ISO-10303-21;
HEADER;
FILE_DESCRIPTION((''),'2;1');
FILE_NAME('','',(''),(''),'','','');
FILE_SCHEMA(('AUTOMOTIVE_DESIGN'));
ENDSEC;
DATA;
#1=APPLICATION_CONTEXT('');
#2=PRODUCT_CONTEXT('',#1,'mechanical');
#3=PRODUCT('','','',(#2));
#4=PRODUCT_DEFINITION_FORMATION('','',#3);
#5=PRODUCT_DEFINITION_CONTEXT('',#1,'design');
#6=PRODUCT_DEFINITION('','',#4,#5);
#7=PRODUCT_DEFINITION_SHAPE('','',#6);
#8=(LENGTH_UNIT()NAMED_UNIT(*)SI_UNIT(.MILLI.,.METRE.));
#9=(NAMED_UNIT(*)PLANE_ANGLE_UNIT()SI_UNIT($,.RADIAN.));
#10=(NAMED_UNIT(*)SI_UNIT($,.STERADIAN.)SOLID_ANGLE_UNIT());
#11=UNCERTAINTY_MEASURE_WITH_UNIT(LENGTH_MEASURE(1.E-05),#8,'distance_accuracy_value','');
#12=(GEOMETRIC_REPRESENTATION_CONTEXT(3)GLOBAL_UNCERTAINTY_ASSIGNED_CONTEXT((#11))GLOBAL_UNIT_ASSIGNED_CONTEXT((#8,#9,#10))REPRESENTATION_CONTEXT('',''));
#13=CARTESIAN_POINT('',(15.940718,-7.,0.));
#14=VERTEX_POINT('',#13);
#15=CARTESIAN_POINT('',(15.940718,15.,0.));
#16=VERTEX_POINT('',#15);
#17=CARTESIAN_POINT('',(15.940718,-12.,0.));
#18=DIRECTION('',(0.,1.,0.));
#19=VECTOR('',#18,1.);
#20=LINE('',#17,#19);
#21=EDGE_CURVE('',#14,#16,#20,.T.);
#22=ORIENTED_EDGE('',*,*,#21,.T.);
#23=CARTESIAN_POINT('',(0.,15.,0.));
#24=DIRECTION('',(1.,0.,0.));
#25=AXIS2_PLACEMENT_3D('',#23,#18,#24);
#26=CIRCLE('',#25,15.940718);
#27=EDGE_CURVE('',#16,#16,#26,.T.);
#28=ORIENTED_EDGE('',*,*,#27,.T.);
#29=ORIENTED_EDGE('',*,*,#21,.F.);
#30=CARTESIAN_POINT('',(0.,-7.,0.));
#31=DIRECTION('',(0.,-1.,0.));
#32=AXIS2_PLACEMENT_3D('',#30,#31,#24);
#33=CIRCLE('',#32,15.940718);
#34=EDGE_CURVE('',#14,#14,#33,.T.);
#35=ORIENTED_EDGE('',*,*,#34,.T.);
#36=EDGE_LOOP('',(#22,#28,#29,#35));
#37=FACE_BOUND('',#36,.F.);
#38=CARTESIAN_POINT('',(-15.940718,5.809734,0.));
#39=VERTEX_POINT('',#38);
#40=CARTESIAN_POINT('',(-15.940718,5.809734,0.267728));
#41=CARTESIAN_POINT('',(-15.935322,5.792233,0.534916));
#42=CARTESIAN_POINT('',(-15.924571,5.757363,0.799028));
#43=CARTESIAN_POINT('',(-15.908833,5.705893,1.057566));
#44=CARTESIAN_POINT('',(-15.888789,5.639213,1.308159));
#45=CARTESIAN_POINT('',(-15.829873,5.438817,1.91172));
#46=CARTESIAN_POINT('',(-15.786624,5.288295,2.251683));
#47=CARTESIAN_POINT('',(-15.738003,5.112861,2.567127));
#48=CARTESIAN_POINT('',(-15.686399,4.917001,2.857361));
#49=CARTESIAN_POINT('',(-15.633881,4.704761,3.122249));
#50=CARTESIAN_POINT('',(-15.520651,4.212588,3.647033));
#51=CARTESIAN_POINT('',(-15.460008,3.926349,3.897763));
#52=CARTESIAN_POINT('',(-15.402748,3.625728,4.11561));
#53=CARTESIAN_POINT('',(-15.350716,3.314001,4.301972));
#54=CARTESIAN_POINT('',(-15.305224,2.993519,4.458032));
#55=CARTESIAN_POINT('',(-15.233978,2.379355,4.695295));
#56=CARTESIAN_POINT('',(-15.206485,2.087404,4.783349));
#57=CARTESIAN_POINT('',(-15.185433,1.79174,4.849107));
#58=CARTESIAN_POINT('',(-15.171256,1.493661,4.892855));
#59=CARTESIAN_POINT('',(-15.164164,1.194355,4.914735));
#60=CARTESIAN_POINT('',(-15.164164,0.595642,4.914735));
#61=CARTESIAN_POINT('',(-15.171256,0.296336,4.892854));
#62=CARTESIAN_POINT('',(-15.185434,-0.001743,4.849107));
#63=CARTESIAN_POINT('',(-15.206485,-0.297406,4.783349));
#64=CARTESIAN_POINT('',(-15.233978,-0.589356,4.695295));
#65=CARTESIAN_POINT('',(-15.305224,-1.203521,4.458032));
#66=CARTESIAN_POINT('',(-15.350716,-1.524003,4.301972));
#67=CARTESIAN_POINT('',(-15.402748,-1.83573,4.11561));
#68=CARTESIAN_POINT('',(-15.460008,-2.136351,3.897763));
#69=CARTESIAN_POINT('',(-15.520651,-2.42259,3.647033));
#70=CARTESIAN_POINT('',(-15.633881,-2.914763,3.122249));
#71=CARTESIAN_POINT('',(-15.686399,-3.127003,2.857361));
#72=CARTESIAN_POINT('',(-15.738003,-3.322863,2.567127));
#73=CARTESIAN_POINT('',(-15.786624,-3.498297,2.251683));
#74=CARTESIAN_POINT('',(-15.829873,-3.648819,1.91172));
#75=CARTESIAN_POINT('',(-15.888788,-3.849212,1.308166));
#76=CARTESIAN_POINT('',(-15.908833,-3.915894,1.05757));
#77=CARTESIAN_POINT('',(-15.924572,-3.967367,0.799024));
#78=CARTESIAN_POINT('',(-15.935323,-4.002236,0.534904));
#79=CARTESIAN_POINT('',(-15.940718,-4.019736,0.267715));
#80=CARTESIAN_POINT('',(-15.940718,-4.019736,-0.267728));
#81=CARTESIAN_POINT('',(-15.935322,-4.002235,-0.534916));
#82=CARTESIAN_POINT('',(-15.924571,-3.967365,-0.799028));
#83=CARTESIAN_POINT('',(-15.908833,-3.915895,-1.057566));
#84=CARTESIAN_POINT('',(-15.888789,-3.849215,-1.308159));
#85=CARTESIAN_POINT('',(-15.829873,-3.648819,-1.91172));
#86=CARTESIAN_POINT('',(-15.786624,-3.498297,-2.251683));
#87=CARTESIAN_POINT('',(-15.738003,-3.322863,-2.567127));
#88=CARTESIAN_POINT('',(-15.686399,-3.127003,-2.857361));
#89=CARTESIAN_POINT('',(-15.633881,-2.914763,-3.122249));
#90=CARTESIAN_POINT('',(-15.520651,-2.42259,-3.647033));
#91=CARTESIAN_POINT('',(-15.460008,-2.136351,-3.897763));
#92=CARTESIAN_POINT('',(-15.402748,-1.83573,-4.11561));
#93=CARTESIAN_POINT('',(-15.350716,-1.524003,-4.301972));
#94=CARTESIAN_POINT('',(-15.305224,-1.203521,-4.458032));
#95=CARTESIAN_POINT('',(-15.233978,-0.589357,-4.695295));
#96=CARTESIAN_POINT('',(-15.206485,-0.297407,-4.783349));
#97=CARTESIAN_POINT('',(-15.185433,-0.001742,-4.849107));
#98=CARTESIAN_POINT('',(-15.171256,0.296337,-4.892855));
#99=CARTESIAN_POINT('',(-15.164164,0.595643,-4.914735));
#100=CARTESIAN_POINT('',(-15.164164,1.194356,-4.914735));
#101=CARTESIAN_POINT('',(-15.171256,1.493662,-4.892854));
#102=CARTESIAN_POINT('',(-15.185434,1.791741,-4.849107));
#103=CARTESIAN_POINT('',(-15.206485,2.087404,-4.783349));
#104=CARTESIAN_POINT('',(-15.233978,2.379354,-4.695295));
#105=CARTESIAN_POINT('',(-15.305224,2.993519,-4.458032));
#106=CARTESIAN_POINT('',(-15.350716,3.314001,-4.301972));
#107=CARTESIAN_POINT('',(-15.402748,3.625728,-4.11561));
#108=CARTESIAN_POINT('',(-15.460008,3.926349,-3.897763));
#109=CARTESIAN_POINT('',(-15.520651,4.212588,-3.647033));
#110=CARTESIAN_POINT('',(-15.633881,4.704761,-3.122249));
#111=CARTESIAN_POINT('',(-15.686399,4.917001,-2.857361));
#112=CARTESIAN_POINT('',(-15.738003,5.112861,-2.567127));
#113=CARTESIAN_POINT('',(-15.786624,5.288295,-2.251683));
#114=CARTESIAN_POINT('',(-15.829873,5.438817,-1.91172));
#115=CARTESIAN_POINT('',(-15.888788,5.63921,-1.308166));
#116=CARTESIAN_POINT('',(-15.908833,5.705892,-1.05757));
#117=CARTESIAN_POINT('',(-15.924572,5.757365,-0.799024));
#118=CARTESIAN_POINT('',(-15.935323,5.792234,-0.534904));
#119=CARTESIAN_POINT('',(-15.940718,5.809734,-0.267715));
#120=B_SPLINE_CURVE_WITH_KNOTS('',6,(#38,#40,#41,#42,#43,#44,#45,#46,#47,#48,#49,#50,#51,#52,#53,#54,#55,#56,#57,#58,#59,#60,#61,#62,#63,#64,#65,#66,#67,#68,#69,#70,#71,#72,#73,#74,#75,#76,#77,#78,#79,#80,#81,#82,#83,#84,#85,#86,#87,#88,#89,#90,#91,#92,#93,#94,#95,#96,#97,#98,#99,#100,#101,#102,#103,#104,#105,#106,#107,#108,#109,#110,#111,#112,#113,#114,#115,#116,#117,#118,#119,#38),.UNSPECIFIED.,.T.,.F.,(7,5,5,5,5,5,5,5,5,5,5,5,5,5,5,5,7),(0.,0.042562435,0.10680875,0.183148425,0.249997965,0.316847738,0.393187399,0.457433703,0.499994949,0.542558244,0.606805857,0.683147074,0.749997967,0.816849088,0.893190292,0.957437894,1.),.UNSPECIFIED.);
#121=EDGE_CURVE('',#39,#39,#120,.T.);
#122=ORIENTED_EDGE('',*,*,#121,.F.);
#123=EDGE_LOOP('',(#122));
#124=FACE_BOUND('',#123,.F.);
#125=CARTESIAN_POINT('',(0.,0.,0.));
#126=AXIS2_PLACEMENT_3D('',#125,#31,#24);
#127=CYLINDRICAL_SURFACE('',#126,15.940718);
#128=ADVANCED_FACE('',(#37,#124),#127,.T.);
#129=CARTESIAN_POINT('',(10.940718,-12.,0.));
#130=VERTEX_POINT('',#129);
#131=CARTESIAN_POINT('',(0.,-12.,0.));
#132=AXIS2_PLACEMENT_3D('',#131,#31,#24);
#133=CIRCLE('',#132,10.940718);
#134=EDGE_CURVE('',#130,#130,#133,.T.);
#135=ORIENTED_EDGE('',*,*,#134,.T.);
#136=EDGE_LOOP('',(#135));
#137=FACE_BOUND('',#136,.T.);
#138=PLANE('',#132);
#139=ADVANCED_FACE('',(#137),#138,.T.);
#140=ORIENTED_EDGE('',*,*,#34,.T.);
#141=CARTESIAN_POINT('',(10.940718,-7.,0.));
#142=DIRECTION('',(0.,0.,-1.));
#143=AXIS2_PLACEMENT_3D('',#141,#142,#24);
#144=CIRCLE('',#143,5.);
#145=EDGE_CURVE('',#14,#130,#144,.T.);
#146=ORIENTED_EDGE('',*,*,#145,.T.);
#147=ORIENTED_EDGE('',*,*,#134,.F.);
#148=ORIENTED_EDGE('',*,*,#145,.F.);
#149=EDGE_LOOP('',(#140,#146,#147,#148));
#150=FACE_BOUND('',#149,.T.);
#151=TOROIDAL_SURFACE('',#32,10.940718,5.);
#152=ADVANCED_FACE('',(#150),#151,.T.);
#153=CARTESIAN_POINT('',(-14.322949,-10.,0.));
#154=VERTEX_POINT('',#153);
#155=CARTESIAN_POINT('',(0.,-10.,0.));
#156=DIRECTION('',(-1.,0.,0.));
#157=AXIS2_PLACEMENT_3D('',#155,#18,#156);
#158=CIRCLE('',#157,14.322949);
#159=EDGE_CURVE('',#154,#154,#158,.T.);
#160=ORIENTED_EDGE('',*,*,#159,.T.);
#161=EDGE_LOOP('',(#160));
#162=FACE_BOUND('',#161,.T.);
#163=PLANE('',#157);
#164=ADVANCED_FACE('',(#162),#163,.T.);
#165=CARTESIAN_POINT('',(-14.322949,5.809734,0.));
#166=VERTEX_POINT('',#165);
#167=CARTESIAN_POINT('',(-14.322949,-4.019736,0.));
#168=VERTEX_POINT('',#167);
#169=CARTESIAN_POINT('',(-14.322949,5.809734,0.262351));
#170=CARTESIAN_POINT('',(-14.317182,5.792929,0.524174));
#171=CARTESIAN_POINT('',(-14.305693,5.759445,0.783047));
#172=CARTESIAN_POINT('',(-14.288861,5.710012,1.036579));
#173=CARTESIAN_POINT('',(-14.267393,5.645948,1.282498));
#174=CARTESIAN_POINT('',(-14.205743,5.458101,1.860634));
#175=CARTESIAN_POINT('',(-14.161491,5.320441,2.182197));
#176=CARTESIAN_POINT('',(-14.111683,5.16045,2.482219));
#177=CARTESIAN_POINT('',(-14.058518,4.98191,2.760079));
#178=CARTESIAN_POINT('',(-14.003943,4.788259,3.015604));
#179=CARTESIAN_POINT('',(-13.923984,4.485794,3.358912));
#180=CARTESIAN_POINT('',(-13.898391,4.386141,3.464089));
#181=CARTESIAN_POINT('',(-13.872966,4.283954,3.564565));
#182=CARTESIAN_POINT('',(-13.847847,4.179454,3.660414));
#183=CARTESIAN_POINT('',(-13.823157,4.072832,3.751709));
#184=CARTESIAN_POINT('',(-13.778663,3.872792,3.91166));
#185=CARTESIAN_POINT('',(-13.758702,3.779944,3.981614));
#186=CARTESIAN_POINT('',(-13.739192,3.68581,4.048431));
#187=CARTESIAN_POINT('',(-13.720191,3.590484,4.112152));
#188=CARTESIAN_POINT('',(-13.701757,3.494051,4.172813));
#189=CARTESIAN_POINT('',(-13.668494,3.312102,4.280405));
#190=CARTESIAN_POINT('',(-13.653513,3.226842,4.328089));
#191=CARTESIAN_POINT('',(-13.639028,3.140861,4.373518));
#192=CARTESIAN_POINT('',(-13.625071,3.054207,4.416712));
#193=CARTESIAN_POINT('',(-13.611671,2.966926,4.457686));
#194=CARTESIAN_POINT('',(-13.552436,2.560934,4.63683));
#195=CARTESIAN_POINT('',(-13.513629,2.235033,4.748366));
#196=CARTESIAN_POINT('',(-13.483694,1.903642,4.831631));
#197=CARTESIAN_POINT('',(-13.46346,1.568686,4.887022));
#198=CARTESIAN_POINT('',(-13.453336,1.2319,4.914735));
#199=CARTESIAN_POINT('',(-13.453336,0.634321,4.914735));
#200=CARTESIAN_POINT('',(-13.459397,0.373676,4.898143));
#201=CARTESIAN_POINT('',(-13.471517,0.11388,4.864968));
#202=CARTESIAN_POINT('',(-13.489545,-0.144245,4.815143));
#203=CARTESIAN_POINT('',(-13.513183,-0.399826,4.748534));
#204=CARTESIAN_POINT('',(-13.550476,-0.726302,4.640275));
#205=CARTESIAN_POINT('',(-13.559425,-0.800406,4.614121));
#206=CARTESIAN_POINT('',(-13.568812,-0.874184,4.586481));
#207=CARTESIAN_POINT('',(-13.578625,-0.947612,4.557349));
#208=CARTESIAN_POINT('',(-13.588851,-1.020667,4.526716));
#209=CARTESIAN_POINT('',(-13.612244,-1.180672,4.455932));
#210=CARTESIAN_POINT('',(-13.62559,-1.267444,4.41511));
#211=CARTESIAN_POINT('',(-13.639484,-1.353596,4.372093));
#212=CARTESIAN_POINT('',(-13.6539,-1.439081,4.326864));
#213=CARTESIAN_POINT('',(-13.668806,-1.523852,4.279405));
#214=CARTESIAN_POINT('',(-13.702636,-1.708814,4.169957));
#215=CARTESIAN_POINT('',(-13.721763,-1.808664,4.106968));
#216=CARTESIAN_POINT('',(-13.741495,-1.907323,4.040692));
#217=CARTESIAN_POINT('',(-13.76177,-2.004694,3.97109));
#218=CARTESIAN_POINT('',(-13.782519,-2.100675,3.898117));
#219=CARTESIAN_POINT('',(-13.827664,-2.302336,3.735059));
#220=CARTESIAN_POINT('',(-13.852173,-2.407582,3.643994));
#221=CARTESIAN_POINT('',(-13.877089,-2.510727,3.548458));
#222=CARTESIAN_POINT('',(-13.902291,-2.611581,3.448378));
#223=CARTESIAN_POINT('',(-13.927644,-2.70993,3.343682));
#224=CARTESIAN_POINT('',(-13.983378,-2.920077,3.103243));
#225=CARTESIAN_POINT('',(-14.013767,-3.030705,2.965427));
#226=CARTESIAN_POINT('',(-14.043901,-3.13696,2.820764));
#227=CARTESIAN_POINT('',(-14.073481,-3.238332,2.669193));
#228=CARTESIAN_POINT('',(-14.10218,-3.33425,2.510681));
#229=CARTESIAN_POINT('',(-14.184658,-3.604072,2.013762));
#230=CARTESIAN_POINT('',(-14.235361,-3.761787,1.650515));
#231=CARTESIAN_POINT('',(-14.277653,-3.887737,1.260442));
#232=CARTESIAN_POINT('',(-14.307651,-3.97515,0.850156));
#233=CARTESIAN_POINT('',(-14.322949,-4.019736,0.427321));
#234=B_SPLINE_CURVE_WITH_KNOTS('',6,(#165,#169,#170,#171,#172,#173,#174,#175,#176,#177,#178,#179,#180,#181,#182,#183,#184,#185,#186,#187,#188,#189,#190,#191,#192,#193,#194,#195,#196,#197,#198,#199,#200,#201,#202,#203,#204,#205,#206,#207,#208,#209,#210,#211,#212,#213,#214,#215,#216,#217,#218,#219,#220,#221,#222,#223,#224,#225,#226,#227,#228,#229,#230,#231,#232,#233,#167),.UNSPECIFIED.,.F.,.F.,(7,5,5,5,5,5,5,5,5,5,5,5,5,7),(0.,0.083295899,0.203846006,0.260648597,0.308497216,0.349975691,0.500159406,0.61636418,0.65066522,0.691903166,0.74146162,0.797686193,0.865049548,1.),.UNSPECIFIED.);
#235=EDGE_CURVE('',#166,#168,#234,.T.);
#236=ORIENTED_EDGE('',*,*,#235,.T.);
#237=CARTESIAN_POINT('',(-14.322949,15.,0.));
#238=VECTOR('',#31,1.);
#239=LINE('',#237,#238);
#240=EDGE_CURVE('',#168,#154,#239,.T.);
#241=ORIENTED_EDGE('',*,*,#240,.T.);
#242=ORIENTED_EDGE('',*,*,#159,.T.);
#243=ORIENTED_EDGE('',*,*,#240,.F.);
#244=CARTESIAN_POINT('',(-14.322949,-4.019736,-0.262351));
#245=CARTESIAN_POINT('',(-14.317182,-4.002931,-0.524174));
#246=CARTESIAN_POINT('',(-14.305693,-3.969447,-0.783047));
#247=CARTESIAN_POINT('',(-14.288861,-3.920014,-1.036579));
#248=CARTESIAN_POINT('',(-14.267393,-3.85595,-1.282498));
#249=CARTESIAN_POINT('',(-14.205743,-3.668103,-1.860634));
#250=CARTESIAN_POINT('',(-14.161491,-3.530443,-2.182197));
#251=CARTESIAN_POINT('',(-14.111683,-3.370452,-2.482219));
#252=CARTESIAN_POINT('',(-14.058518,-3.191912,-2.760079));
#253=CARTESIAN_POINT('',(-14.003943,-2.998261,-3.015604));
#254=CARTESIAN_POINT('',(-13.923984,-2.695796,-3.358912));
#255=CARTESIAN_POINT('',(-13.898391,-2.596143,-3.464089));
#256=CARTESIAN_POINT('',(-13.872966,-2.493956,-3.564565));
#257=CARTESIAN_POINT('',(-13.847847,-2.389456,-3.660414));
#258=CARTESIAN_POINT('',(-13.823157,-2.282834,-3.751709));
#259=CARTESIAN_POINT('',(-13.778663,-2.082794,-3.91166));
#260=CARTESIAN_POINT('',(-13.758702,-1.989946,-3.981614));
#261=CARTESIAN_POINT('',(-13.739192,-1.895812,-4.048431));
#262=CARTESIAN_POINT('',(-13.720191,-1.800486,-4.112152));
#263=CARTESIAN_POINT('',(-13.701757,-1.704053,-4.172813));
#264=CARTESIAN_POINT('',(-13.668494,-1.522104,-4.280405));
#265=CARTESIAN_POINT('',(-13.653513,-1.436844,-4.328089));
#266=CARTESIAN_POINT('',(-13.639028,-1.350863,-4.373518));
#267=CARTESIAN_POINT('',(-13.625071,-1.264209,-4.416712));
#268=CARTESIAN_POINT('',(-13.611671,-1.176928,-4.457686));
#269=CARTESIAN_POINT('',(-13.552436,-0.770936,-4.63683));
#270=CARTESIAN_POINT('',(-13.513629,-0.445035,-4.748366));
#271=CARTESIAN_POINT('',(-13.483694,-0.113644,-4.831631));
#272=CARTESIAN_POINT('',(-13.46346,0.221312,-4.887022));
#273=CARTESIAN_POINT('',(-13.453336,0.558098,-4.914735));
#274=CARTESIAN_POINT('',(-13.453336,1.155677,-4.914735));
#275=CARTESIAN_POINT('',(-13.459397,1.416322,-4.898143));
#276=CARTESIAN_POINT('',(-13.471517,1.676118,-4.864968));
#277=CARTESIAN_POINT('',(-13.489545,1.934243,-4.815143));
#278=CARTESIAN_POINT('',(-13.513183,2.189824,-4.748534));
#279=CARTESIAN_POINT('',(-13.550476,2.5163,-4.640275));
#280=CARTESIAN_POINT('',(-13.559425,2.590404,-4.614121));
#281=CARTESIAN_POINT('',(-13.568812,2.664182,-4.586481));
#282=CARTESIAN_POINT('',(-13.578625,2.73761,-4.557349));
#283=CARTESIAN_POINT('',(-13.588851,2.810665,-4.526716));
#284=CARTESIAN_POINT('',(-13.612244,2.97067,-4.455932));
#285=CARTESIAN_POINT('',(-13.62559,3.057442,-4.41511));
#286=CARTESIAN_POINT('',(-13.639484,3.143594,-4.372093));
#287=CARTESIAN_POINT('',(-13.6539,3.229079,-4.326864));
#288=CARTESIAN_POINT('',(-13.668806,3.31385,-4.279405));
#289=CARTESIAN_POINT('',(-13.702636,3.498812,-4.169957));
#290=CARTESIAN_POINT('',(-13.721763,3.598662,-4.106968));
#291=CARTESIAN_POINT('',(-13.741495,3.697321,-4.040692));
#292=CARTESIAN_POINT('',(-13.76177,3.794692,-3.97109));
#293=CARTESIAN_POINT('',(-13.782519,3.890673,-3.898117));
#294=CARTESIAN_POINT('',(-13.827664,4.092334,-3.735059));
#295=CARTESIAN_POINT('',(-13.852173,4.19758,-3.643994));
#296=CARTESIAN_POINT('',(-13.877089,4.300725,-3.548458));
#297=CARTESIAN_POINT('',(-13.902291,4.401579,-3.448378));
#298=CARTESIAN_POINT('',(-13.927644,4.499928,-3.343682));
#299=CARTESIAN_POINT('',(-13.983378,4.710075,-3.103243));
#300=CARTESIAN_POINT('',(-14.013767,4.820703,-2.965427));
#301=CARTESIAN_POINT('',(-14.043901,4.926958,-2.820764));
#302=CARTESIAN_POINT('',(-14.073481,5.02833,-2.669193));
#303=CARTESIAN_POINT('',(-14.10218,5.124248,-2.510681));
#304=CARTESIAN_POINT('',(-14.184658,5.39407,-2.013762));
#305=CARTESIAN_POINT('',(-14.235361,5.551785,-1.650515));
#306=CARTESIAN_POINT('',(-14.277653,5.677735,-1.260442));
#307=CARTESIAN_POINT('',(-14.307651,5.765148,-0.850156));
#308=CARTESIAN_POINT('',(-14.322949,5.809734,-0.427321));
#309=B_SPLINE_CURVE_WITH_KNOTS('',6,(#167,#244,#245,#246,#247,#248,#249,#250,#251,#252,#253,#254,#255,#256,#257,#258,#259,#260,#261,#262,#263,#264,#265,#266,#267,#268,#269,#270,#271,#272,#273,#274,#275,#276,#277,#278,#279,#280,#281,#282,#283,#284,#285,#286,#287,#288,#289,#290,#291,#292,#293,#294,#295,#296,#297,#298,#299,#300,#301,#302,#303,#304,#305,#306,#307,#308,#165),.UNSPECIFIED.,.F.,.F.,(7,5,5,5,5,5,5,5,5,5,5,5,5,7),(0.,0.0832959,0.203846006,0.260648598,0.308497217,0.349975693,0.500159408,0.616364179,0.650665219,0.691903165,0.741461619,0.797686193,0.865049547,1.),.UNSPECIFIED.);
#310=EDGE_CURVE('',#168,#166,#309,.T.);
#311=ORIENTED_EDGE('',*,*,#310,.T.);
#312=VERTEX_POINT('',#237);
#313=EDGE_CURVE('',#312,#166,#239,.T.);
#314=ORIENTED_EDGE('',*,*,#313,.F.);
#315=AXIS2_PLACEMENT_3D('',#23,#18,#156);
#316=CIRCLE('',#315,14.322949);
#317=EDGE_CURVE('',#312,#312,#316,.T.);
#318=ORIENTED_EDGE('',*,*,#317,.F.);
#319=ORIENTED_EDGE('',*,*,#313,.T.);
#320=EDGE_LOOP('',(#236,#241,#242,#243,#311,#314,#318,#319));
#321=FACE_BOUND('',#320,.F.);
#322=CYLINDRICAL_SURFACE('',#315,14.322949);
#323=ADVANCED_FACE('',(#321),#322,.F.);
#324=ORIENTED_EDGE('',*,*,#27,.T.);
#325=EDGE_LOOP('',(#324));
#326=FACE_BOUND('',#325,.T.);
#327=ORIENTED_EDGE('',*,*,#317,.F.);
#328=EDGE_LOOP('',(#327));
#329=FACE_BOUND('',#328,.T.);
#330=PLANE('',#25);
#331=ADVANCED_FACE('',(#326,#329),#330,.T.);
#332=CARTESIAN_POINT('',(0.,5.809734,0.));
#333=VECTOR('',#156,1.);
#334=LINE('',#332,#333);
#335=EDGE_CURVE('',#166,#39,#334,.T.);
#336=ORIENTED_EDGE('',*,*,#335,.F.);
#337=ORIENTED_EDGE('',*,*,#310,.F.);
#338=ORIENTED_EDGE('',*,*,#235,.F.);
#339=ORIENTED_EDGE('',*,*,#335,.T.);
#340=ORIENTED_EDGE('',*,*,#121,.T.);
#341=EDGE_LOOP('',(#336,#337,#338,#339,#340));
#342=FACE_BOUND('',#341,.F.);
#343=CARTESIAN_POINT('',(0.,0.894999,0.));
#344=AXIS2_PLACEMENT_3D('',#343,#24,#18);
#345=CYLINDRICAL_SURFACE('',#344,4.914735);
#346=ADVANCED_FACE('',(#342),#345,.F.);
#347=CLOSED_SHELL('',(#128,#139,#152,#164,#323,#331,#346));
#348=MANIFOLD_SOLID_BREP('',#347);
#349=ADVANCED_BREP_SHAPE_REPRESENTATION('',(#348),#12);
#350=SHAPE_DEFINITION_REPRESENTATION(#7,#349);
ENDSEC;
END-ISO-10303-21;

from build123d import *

# Parameters (mm, degrees)
F0_R      = 15.940718
F1_DEPTH  = 12
F1_FACE_R = 15.940718
F2_DEPTH  = 15
F3_R      = 14.322949
F4_DEPTH  = 25
F5_R      = 5
F6_R      = 4.914735
F7_DEPTH  = 15.941718


with BuildPart() as f1:
    # F0 (on Front) → F1 (new body)
    with BuildSketch(Plane.XZ):
        Circle(F0_R)
    extrude(amount=F1_DEPTH)

    # F1_face (on face) → F2 (join)
    with BuildSketch(Plane(origin=(0, 0, 0), x_dir=(1, 0, 0), z_dir=(0, 1, 0))):
        Circle(F1_FACE_R)
    extrude(amount=F2_DEPTH)

    # F3 (on face) → F4 (cut)
    with BuildSketch(Plane(origin=(0, 15, 0), x_dir=(-1, 0, 0), z_dir=(0, 1, 0))):
        Circle(F3_R)
    extrude(amount=-F4_DEPTH, mode=Mode.SUBTRACT)

    # F5
    f5_edges = [f1.edges().sort_by_distance(p)[0] for p in [
        (-15.940718, -12, 0),
    ]]
    fillet(f5_edges, radius=F5_R)

    # F6 (on Right) → F7 (cut, through all)
    with BuildSketch(Plane.YZ):
        with Locations((0.894999, 0)):
            Circle(F6_R)
    extrude(amount=-F7_DEPTH, mode=Mode.SUBTRACT)


solid = f1.part
